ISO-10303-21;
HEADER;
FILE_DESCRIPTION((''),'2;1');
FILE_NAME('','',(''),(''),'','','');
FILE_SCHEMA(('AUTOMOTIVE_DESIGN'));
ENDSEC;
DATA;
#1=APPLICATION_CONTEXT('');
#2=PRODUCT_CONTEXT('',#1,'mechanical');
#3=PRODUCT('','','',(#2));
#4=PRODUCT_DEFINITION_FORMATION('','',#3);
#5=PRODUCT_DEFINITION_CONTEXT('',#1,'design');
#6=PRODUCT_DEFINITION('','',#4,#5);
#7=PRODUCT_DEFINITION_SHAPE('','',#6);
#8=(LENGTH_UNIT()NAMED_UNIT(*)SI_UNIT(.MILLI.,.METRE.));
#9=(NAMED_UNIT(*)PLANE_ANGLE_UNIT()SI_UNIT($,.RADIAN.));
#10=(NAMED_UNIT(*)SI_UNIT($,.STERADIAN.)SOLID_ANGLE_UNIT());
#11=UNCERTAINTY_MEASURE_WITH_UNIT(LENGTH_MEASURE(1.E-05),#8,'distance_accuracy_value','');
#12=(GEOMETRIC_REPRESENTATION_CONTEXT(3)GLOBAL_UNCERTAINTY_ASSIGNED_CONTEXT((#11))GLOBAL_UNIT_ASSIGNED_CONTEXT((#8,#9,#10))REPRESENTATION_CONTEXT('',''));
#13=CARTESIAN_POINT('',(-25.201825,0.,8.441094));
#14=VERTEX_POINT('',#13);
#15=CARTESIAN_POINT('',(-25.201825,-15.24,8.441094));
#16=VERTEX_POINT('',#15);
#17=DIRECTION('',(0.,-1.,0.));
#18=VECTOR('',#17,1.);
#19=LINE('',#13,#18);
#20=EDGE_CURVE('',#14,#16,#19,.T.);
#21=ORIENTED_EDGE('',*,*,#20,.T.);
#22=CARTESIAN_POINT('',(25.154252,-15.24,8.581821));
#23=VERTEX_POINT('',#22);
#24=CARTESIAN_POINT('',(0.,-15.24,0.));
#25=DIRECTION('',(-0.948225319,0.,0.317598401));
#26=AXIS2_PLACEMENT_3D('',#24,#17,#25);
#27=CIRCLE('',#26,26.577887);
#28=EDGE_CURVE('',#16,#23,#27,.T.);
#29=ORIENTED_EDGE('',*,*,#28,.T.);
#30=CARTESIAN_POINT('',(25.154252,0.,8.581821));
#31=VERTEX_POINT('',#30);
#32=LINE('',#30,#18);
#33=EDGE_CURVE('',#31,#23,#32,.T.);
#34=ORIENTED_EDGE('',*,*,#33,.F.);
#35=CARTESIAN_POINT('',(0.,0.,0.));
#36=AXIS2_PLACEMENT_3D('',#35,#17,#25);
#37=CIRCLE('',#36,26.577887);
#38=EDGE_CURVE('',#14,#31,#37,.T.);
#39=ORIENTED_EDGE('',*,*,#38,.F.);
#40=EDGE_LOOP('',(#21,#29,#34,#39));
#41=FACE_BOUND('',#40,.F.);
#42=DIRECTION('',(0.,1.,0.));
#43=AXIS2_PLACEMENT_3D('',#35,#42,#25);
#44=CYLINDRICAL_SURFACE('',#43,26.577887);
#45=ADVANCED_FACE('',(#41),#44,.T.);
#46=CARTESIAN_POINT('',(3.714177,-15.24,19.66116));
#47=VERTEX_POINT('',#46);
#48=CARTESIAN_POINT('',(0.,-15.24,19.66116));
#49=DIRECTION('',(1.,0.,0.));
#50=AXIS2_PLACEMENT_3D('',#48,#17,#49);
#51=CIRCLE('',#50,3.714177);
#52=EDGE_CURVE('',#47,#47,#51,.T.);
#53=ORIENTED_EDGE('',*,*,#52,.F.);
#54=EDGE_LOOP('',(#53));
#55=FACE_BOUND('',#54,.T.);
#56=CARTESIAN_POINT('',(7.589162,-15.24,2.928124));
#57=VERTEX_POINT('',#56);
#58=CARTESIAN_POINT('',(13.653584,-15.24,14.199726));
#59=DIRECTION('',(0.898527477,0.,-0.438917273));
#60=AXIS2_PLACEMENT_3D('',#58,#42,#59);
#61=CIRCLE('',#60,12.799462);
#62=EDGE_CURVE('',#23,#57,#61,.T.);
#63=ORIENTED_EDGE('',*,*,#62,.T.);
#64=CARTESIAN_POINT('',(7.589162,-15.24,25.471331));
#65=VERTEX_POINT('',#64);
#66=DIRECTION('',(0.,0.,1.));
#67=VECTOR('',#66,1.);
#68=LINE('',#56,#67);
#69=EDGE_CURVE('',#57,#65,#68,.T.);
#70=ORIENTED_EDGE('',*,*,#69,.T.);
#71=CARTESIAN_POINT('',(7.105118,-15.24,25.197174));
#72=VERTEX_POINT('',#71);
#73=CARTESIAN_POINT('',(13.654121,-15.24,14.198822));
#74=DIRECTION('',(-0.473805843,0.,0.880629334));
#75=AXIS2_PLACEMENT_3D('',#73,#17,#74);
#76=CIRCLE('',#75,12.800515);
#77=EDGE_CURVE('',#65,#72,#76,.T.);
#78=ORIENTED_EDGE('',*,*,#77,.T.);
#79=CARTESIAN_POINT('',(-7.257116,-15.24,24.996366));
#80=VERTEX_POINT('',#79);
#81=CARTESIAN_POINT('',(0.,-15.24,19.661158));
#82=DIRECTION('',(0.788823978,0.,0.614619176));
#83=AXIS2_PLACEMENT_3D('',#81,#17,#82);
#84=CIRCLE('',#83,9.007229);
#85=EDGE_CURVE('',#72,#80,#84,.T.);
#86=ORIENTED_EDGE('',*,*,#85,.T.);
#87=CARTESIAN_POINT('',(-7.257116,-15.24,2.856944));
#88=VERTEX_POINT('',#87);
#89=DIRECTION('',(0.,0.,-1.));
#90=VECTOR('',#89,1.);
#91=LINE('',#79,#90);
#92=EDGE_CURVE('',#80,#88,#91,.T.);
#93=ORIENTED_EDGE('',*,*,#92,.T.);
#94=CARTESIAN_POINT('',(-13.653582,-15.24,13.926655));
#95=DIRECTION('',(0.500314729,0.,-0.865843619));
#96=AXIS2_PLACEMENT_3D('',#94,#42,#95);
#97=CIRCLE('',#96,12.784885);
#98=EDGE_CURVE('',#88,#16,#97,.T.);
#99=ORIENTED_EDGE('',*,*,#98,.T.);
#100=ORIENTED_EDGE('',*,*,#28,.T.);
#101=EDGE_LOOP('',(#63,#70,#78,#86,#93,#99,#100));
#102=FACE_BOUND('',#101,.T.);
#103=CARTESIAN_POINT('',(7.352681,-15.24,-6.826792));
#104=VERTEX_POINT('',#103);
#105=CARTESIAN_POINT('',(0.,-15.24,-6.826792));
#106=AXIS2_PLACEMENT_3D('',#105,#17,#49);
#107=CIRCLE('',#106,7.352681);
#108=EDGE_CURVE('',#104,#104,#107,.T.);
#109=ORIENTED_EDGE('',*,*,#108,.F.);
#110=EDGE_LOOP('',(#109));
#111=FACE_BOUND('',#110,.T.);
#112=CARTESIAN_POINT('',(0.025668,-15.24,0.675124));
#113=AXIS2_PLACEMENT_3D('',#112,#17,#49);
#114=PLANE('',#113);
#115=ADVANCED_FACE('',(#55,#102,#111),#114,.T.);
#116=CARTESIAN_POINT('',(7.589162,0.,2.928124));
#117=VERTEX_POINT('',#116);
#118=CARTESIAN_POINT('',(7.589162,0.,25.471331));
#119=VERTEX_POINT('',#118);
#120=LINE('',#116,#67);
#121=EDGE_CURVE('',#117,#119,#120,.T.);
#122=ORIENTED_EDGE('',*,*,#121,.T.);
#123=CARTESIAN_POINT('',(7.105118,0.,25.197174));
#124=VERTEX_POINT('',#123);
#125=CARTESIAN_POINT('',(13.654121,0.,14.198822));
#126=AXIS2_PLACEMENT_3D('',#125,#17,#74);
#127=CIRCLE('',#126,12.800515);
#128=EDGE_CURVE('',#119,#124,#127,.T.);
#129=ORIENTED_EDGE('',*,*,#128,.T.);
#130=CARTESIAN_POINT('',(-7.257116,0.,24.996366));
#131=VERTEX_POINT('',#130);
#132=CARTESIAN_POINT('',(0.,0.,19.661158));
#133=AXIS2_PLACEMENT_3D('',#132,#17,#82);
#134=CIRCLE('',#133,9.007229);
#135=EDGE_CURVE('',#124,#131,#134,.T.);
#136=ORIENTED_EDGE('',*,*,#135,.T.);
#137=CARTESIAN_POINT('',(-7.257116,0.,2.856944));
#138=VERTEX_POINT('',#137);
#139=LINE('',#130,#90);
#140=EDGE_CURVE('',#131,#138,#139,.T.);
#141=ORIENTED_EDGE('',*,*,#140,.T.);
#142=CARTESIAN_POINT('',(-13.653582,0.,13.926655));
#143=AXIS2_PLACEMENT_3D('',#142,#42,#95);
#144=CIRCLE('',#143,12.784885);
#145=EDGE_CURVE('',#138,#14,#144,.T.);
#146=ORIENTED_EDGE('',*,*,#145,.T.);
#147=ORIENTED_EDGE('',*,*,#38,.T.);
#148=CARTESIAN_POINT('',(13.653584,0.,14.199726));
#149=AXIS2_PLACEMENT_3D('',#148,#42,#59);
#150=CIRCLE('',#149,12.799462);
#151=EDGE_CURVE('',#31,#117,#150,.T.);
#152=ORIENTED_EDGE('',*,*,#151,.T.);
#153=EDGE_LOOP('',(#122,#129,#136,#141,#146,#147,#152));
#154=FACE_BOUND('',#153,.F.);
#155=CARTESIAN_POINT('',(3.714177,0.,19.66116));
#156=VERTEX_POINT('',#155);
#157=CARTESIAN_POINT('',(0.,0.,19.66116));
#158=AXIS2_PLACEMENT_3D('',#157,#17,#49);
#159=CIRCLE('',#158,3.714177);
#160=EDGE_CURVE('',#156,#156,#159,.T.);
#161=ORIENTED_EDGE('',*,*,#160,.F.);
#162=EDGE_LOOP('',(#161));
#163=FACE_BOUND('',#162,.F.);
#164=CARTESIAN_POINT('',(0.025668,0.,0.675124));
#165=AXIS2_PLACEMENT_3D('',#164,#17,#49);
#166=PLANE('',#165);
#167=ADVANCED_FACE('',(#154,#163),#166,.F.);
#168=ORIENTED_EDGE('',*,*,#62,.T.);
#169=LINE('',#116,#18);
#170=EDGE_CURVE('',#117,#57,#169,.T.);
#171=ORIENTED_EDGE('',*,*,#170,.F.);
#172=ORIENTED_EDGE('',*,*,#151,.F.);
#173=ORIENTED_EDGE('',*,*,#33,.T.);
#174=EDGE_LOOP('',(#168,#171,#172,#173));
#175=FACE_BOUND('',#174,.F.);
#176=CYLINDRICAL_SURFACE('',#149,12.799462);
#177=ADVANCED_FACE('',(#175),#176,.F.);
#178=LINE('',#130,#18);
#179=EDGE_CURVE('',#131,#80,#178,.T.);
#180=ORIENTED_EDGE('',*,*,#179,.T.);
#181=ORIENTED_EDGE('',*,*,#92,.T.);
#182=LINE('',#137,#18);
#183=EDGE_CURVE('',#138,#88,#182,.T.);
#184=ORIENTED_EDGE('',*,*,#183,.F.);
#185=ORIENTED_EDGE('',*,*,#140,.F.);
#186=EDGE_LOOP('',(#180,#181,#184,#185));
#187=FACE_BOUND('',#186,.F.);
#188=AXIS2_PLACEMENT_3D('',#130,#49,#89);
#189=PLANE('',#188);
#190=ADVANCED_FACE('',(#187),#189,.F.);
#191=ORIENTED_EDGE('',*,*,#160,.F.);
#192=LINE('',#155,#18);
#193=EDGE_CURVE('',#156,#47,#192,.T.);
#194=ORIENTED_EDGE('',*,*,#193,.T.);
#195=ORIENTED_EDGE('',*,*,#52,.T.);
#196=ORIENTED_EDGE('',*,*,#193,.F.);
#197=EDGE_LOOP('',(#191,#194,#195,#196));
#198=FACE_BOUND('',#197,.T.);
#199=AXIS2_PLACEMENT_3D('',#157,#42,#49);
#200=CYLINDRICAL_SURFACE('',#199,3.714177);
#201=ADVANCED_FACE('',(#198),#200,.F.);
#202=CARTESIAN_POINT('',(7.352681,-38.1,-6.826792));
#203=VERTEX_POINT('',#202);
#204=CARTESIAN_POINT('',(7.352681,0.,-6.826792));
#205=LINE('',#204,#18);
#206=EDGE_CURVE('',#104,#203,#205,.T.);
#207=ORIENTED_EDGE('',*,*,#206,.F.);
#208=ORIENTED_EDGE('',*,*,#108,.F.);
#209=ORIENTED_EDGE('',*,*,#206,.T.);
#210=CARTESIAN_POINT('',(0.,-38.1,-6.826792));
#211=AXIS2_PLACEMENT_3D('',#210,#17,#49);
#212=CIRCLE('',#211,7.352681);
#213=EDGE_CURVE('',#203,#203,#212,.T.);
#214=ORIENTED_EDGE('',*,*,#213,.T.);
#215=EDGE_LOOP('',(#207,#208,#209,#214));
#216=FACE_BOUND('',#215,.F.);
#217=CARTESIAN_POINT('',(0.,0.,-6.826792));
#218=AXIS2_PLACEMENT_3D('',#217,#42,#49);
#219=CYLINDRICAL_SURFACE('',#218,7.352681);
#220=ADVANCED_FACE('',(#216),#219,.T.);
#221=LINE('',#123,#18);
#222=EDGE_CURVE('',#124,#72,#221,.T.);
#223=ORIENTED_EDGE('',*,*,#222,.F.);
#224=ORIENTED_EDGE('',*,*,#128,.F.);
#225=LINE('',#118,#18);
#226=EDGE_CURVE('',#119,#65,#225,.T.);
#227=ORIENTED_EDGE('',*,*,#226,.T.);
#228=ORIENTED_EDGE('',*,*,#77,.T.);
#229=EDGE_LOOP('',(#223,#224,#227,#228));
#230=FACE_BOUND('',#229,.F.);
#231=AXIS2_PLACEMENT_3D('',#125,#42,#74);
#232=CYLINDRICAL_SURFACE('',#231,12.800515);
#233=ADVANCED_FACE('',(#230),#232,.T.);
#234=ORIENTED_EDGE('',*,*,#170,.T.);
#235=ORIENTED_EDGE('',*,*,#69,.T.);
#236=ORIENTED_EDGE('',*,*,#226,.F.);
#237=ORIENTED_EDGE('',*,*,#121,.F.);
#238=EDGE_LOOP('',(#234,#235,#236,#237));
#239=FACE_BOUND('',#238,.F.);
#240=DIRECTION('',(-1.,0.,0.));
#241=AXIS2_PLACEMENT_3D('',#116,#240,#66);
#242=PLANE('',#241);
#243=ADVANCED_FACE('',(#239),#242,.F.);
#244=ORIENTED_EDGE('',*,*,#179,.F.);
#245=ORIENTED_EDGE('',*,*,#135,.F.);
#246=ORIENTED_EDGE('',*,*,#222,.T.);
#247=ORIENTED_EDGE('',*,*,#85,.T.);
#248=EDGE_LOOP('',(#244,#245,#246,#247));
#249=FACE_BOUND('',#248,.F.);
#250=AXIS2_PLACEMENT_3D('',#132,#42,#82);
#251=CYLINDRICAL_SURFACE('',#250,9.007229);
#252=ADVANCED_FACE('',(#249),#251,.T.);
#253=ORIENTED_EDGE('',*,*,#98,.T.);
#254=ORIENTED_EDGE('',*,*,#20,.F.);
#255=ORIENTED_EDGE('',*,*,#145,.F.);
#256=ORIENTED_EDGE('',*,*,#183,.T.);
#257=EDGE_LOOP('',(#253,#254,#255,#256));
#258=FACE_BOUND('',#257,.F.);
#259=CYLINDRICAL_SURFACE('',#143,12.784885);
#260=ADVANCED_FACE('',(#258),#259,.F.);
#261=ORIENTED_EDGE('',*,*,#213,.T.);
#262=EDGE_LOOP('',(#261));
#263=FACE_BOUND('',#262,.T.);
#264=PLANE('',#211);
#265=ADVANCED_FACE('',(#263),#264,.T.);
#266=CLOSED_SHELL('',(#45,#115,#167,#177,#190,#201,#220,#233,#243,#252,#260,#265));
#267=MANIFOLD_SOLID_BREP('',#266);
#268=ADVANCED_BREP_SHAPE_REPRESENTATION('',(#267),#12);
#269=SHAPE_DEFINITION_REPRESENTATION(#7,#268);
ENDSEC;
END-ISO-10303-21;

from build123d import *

# Parameters (mm, degrees)
F0_R     = 7.352681
F0_R_2   = 3.714177
F1_DEPTH = 15.24
F2_DEPTH = 38.1


with BuildPart() as f1:
    # F0 (on Front) → F1 (new body)
    with BuildSketch(Plane.XZ):
        with BuildLine():
            ThreePointArc((-7.257116, 2.856944), (-17.452383, 1.719182), (-25.201825, 8.441094))
            ThreePointArc((-25.201825, 8.441094), (0.074275, -26.577783), (25.154252, 8.581821))
            ThreePointArc((25.154252, 8.581821), (17.575225, 2.015845), (7.589162, 2.928124))
            Line((7.589162, 2.928124), (7.589162, 24.512424))
            ThreePointArc((7.589162, 24.512424), (7.355113, 24.860435), (7.105118, 25.197174))
            ThreePointArc((7.105118, 25.197174), (-0.125924, 28.667507), (-7.257116, 24.996366))
            Line((-7.257116, 24.996366), (-7.257116, 2.856944))
        make_face()
        with Locations((0, -6.826792)):
            Circle(F0_R, mode=Mode.SUBTRACT)
        with Locations((0, 19.66116)):
            Circle(F0_R_2, mode=Mode.SUBTRACT)
        with BuildLine():
            ThreePointArc((7.105118, 25.197174), (7.355113, 24.860435), (7.589162, 24.512424))
            Line((7.589162, 24.512424), (7.589162, 25.471331))
            ThreePointArc((7.589162, 25.471331), (7.34565, 25.336882), (7.105118, 25.197174))
        make_face()
    extrude(amount=F1_DEPTH)

    # F0 (on Front) → F2 (join)
    with BuildSketch(Plane.XZ):
        with Locations((0, -6.826792)):
            Circle(F0_R)
    extrude(amount=F2_DEPTH)


solid = f1.part
